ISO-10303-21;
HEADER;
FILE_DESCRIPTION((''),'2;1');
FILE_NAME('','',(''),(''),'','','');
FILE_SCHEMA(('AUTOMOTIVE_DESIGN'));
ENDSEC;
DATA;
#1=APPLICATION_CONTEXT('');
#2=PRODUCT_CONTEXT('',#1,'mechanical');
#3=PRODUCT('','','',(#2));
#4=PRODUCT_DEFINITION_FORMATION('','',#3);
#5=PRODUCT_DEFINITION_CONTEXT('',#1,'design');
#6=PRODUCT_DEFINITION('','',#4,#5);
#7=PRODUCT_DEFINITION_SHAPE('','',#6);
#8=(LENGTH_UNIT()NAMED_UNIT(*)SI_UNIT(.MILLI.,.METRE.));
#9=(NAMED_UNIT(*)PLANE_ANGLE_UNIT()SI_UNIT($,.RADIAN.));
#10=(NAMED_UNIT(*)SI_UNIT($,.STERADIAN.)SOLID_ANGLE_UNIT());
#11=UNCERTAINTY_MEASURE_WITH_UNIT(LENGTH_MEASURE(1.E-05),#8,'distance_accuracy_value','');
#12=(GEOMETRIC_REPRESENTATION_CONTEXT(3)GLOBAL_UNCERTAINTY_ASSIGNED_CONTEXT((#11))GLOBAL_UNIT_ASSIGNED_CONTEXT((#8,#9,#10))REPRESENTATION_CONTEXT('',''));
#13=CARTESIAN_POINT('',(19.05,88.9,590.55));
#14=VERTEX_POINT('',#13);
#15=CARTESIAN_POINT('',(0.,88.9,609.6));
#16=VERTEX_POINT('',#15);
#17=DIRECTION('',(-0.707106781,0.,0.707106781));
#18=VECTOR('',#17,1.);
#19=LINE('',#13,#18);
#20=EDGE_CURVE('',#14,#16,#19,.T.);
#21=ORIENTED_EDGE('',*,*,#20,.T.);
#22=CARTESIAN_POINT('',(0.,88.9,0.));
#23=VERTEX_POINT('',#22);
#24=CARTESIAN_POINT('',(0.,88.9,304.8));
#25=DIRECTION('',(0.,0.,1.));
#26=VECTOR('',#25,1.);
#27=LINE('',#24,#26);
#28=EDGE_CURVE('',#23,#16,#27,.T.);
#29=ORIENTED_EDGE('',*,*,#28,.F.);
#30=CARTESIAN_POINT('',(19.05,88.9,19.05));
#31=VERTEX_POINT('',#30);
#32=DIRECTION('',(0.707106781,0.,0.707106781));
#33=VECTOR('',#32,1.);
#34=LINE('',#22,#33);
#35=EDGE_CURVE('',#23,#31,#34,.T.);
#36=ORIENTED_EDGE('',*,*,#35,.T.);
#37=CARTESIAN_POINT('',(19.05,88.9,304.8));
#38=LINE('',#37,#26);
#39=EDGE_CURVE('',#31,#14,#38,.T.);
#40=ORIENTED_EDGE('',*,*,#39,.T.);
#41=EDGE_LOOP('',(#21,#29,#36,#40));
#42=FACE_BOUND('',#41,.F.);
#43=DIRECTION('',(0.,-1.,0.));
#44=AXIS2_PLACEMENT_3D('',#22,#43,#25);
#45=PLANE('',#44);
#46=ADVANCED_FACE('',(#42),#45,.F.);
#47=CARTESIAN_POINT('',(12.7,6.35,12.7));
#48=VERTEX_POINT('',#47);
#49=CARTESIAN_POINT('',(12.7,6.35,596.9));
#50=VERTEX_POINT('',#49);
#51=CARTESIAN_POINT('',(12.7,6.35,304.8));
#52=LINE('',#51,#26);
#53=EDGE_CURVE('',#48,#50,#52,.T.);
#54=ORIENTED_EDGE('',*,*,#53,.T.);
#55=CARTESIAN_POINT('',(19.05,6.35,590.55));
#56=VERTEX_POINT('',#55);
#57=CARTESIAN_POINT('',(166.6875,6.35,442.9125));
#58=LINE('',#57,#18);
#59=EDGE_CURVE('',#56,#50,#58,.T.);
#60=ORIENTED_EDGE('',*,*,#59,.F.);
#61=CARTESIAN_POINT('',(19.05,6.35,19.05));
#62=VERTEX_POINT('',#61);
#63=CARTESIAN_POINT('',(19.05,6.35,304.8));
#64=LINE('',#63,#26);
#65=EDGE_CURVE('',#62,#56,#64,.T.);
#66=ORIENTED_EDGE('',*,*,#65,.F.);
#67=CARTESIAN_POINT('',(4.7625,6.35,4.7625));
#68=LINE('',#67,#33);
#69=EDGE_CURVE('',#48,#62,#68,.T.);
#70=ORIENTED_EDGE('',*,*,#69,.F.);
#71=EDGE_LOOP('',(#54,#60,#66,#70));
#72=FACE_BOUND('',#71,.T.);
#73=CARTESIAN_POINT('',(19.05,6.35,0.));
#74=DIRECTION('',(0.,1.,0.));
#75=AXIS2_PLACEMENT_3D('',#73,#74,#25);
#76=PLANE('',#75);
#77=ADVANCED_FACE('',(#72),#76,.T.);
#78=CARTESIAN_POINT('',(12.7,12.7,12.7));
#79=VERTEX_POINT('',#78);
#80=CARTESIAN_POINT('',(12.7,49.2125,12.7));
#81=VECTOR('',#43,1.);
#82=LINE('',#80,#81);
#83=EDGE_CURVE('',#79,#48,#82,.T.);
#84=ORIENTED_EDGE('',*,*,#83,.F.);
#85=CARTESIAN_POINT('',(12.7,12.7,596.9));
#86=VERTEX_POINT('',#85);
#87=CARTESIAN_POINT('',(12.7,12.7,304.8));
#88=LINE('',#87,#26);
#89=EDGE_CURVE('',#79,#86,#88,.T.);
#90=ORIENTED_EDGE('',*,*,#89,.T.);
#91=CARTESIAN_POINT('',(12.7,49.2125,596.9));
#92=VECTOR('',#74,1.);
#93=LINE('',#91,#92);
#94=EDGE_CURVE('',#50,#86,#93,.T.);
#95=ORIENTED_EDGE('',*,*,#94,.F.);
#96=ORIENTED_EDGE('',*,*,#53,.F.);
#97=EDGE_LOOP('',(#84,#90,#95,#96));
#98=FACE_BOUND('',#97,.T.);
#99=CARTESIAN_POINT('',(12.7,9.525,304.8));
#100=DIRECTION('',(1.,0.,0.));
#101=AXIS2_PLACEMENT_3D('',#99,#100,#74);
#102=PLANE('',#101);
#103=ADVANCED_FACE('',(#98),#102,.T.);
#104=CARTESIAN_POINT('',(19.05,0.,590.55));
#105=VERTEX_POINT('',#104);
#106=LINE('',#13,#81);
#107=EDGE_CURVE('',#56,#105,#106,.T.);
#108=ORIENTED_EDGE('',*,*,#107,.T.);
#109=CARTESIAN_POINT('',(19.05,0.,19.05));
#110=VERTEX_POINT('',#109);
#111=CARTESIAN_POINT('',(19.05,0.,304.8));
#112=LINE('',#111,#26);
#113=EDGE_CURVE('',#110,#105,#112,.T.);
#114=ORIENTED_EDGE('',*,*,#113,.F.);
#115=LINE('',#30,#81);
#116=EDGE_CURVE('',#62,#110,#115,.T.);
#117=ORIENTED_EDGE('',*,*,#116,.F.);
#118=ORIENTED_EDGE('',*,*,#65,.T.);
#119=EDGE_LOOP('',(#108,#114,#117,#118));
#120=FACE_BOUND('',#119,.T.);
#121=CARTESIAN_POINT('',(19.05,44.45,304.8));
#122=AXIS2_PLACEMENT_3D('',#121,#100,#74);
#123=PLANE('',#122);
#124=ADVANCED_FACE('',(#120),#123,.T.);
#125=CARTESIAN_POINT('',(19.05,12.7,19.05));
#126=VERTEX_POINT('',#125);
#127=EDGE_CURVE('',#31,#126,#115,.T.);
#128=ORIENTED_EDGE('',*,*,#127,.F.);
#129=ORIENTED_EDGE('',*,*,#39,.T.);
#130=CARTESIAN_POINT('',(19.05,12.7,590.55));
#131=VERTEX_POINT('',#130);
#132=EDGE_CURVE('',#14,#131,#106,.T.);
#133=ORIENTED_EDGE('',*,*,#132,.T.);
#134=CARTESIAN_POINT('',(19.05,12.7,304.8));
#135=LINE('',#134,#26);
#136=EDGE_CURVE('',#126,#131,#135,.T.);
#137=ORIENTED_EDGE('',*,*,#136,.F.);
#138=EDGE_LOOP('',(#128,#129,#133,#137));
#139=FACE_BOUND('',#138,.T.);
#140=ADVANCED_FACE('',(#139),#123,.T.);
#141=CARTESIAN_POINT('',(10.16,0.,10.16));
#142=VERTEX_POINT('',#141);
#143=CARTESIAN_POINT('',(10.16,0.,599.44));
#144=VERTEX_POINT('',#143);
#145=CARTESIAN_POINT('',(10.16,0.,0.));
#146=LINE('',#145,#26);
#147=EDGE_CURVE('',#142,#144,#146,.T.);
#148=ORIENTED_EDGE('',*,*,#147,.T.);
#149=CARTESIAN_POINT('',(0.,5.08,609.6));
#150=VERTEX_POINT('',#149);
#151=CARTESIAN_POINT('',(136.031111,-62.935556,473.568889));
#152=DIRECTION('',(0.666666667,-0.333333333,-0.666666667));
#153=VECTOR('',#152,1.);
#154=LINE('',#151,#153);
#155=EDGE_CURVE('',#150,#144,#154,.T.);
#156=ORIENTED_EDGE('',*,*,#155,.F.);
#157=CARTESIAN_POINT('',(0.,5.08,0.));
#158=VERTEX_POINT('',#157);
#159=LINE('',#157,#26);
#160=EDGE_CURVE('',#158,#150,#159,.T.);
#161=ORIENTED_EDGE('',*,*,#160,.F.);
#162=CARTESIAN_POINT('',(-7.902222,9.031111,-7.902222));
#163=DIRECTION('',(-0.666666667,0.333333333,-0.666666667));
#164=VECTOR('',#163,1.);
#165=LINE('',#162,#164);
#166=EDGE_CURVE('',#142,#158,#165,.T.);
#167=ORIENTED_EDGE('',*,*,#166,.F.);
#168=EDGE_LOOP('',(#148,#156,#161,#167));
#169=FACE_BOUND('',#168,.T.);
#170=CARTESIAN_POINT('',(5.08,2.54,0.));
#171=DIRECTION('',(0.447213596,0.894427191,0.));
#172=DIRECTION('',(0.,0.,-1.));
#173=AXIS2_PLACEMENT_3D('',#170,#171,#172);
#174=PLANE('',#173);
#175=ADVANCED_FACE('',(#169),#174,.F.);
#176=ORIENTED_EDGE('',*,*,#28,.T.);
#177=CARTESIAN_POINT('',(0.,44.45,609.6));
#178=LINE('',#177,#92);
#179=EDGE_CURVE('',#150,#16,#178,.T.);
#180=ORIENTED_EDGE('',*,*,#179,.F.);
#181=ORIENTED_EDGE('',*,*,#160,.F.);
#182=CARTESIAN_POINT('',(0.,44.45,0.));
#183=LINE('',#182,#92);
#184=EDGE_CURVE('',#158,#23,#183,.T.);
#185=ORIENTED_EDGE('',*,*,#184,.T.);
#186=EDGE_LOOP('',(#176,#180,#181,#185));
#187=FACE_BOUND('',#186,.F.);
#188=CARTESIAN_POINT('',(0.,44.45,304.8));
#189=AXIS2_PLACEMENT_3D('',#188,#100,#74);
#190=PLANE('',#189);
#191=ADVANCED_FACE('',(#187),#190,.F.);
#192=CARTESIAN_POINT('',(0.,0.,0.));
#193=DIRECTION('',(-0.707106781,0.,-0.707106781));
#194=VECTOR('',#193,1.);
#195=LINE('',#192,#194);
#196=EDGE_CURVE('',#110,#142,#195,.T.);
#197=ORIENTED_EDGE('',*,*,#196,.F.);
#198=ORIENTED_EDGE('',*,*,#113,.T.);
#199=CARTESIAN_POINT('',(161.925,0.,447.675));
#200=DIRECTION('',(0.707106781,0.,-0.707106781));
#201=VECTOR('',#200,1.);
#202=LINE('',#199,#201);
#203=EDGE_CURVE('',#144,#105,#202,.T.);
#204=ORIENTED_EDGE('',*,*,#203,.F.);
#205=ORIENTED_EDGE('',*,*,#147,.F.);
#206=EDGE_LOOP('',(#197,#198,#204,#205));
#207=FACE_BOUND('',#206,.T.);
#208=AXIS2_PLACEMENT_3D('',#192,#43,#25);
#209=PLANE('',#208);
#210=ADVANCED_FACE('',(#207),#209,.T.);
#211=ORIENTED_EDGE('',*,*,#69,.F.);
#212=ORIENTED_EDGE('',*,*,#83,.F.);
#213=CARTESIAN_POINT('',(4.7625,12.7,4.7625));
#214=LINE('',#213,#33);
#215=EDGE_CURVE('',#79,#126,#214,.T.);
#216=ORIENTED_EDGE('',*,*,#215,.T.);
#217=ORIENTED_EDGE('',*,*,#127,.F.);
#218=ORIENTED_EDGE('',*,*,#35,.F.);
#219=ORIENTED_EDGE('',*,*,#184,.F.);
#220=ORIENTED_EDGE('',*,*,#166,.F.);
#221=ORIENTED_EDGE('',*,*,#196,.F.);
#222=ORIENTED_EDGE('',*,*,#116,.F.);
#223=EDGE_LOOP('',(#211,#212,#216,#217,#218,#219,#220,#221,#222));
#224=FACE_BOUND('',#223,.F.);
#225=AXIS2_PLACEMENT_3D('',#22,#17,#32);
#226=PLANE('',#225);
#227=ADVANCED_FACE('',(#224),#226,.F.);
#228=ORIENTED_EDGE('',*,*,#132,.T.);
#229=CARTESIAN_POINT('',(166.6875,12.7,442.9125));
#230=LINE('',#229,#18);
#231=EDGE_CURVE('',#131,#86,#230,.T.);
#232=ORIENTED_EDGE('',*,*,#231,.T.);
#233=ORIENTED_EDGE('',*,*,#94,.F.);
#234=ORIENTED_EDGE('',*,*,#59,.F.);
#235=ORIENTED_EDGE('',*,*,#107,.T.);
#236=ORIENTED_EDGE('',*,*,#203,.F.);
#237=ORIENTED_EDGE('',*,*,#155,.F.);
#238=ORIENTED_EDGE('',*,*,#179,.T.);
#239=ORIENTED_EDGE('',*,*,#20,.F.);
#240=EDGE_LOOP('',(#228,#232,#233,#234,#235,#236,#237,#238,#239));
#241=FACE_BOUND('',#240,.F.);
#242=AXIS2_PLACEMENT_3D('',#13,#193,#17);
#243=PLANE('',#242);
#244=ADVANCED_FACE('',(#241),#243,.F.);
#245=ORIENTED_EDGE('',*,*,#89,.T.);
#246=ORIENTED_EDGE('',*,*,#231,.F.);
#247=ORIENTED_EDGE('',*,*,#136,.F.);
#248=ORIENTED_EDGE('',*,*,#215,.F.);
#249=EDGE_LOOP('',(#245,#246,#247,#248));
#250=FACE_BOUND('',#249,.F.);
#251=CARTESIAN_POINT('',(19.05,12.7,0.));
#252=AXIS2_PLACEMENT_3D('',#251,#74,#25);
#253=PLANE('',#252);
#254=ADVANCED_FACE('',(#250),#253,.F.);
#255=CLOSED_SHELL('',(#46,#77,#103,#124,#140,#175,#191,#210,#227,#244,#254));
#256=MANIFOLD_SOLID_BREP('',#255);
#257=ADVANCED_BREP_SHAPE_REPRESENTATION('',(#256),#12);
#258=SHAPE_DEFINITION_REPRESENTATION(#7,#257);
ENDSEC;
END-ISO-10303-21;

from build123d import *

# Parameters (mm, degrees)
F0_W     = 88.9
F0_H     = 609.6
F1_DEPTH = 19.05
F2_W     = 6.35
F2_H     = 609.6
F3_DEPTH = 6.35
F4_SIZE2 = 5.08
F4_SIZE  = 10.16
F6_DEPTH = 88.901


with BuildPart() as f1:
    # F0 (on Right) → F1 (new body)
    with BuildSketch(Plane.YZ):
        with Locations((44.45, 304.8)):
            Rectangle(F0_W, F0_H)
    extrude(amount=F1_DEPTH)

    # F2 (on face) → F3 (cut)
    with BuildSketch(Plane.YZ.offset(19.05)):
        with Locations((9.525, 304.8)):
            Rectangle(F2_W, F2_H)
    extrude(amount=-F3_DEPTH, mode=Mode.SUBTRACT)

    # F4
    f4_edges = [f1.edges().sort_by_distance(p)[0] for p in [
        (0, 0, 304.8),
    ]]
    chamfer(f4_edges, length=F4_SIZE, length2=F4_SIZE2)

    # F5 (on face) → F6 (cut, through all)
    with BuildSketch(Plane(origin=(0, 88.9, 0), x_dir=(-1, 0, 0), z_dir=(0, 1, 0))):
        Polygon((-19.05, 590.55), (0, 609.6), (-19.05, 609.6), align=None)
        Polygon((-19.05, 0), (0, 0), (-19.05, 19.05), align=None)
    extrude(amount=-F6_DEPTH, mode=Mode.SUBTRACT)


solid = f1.part
